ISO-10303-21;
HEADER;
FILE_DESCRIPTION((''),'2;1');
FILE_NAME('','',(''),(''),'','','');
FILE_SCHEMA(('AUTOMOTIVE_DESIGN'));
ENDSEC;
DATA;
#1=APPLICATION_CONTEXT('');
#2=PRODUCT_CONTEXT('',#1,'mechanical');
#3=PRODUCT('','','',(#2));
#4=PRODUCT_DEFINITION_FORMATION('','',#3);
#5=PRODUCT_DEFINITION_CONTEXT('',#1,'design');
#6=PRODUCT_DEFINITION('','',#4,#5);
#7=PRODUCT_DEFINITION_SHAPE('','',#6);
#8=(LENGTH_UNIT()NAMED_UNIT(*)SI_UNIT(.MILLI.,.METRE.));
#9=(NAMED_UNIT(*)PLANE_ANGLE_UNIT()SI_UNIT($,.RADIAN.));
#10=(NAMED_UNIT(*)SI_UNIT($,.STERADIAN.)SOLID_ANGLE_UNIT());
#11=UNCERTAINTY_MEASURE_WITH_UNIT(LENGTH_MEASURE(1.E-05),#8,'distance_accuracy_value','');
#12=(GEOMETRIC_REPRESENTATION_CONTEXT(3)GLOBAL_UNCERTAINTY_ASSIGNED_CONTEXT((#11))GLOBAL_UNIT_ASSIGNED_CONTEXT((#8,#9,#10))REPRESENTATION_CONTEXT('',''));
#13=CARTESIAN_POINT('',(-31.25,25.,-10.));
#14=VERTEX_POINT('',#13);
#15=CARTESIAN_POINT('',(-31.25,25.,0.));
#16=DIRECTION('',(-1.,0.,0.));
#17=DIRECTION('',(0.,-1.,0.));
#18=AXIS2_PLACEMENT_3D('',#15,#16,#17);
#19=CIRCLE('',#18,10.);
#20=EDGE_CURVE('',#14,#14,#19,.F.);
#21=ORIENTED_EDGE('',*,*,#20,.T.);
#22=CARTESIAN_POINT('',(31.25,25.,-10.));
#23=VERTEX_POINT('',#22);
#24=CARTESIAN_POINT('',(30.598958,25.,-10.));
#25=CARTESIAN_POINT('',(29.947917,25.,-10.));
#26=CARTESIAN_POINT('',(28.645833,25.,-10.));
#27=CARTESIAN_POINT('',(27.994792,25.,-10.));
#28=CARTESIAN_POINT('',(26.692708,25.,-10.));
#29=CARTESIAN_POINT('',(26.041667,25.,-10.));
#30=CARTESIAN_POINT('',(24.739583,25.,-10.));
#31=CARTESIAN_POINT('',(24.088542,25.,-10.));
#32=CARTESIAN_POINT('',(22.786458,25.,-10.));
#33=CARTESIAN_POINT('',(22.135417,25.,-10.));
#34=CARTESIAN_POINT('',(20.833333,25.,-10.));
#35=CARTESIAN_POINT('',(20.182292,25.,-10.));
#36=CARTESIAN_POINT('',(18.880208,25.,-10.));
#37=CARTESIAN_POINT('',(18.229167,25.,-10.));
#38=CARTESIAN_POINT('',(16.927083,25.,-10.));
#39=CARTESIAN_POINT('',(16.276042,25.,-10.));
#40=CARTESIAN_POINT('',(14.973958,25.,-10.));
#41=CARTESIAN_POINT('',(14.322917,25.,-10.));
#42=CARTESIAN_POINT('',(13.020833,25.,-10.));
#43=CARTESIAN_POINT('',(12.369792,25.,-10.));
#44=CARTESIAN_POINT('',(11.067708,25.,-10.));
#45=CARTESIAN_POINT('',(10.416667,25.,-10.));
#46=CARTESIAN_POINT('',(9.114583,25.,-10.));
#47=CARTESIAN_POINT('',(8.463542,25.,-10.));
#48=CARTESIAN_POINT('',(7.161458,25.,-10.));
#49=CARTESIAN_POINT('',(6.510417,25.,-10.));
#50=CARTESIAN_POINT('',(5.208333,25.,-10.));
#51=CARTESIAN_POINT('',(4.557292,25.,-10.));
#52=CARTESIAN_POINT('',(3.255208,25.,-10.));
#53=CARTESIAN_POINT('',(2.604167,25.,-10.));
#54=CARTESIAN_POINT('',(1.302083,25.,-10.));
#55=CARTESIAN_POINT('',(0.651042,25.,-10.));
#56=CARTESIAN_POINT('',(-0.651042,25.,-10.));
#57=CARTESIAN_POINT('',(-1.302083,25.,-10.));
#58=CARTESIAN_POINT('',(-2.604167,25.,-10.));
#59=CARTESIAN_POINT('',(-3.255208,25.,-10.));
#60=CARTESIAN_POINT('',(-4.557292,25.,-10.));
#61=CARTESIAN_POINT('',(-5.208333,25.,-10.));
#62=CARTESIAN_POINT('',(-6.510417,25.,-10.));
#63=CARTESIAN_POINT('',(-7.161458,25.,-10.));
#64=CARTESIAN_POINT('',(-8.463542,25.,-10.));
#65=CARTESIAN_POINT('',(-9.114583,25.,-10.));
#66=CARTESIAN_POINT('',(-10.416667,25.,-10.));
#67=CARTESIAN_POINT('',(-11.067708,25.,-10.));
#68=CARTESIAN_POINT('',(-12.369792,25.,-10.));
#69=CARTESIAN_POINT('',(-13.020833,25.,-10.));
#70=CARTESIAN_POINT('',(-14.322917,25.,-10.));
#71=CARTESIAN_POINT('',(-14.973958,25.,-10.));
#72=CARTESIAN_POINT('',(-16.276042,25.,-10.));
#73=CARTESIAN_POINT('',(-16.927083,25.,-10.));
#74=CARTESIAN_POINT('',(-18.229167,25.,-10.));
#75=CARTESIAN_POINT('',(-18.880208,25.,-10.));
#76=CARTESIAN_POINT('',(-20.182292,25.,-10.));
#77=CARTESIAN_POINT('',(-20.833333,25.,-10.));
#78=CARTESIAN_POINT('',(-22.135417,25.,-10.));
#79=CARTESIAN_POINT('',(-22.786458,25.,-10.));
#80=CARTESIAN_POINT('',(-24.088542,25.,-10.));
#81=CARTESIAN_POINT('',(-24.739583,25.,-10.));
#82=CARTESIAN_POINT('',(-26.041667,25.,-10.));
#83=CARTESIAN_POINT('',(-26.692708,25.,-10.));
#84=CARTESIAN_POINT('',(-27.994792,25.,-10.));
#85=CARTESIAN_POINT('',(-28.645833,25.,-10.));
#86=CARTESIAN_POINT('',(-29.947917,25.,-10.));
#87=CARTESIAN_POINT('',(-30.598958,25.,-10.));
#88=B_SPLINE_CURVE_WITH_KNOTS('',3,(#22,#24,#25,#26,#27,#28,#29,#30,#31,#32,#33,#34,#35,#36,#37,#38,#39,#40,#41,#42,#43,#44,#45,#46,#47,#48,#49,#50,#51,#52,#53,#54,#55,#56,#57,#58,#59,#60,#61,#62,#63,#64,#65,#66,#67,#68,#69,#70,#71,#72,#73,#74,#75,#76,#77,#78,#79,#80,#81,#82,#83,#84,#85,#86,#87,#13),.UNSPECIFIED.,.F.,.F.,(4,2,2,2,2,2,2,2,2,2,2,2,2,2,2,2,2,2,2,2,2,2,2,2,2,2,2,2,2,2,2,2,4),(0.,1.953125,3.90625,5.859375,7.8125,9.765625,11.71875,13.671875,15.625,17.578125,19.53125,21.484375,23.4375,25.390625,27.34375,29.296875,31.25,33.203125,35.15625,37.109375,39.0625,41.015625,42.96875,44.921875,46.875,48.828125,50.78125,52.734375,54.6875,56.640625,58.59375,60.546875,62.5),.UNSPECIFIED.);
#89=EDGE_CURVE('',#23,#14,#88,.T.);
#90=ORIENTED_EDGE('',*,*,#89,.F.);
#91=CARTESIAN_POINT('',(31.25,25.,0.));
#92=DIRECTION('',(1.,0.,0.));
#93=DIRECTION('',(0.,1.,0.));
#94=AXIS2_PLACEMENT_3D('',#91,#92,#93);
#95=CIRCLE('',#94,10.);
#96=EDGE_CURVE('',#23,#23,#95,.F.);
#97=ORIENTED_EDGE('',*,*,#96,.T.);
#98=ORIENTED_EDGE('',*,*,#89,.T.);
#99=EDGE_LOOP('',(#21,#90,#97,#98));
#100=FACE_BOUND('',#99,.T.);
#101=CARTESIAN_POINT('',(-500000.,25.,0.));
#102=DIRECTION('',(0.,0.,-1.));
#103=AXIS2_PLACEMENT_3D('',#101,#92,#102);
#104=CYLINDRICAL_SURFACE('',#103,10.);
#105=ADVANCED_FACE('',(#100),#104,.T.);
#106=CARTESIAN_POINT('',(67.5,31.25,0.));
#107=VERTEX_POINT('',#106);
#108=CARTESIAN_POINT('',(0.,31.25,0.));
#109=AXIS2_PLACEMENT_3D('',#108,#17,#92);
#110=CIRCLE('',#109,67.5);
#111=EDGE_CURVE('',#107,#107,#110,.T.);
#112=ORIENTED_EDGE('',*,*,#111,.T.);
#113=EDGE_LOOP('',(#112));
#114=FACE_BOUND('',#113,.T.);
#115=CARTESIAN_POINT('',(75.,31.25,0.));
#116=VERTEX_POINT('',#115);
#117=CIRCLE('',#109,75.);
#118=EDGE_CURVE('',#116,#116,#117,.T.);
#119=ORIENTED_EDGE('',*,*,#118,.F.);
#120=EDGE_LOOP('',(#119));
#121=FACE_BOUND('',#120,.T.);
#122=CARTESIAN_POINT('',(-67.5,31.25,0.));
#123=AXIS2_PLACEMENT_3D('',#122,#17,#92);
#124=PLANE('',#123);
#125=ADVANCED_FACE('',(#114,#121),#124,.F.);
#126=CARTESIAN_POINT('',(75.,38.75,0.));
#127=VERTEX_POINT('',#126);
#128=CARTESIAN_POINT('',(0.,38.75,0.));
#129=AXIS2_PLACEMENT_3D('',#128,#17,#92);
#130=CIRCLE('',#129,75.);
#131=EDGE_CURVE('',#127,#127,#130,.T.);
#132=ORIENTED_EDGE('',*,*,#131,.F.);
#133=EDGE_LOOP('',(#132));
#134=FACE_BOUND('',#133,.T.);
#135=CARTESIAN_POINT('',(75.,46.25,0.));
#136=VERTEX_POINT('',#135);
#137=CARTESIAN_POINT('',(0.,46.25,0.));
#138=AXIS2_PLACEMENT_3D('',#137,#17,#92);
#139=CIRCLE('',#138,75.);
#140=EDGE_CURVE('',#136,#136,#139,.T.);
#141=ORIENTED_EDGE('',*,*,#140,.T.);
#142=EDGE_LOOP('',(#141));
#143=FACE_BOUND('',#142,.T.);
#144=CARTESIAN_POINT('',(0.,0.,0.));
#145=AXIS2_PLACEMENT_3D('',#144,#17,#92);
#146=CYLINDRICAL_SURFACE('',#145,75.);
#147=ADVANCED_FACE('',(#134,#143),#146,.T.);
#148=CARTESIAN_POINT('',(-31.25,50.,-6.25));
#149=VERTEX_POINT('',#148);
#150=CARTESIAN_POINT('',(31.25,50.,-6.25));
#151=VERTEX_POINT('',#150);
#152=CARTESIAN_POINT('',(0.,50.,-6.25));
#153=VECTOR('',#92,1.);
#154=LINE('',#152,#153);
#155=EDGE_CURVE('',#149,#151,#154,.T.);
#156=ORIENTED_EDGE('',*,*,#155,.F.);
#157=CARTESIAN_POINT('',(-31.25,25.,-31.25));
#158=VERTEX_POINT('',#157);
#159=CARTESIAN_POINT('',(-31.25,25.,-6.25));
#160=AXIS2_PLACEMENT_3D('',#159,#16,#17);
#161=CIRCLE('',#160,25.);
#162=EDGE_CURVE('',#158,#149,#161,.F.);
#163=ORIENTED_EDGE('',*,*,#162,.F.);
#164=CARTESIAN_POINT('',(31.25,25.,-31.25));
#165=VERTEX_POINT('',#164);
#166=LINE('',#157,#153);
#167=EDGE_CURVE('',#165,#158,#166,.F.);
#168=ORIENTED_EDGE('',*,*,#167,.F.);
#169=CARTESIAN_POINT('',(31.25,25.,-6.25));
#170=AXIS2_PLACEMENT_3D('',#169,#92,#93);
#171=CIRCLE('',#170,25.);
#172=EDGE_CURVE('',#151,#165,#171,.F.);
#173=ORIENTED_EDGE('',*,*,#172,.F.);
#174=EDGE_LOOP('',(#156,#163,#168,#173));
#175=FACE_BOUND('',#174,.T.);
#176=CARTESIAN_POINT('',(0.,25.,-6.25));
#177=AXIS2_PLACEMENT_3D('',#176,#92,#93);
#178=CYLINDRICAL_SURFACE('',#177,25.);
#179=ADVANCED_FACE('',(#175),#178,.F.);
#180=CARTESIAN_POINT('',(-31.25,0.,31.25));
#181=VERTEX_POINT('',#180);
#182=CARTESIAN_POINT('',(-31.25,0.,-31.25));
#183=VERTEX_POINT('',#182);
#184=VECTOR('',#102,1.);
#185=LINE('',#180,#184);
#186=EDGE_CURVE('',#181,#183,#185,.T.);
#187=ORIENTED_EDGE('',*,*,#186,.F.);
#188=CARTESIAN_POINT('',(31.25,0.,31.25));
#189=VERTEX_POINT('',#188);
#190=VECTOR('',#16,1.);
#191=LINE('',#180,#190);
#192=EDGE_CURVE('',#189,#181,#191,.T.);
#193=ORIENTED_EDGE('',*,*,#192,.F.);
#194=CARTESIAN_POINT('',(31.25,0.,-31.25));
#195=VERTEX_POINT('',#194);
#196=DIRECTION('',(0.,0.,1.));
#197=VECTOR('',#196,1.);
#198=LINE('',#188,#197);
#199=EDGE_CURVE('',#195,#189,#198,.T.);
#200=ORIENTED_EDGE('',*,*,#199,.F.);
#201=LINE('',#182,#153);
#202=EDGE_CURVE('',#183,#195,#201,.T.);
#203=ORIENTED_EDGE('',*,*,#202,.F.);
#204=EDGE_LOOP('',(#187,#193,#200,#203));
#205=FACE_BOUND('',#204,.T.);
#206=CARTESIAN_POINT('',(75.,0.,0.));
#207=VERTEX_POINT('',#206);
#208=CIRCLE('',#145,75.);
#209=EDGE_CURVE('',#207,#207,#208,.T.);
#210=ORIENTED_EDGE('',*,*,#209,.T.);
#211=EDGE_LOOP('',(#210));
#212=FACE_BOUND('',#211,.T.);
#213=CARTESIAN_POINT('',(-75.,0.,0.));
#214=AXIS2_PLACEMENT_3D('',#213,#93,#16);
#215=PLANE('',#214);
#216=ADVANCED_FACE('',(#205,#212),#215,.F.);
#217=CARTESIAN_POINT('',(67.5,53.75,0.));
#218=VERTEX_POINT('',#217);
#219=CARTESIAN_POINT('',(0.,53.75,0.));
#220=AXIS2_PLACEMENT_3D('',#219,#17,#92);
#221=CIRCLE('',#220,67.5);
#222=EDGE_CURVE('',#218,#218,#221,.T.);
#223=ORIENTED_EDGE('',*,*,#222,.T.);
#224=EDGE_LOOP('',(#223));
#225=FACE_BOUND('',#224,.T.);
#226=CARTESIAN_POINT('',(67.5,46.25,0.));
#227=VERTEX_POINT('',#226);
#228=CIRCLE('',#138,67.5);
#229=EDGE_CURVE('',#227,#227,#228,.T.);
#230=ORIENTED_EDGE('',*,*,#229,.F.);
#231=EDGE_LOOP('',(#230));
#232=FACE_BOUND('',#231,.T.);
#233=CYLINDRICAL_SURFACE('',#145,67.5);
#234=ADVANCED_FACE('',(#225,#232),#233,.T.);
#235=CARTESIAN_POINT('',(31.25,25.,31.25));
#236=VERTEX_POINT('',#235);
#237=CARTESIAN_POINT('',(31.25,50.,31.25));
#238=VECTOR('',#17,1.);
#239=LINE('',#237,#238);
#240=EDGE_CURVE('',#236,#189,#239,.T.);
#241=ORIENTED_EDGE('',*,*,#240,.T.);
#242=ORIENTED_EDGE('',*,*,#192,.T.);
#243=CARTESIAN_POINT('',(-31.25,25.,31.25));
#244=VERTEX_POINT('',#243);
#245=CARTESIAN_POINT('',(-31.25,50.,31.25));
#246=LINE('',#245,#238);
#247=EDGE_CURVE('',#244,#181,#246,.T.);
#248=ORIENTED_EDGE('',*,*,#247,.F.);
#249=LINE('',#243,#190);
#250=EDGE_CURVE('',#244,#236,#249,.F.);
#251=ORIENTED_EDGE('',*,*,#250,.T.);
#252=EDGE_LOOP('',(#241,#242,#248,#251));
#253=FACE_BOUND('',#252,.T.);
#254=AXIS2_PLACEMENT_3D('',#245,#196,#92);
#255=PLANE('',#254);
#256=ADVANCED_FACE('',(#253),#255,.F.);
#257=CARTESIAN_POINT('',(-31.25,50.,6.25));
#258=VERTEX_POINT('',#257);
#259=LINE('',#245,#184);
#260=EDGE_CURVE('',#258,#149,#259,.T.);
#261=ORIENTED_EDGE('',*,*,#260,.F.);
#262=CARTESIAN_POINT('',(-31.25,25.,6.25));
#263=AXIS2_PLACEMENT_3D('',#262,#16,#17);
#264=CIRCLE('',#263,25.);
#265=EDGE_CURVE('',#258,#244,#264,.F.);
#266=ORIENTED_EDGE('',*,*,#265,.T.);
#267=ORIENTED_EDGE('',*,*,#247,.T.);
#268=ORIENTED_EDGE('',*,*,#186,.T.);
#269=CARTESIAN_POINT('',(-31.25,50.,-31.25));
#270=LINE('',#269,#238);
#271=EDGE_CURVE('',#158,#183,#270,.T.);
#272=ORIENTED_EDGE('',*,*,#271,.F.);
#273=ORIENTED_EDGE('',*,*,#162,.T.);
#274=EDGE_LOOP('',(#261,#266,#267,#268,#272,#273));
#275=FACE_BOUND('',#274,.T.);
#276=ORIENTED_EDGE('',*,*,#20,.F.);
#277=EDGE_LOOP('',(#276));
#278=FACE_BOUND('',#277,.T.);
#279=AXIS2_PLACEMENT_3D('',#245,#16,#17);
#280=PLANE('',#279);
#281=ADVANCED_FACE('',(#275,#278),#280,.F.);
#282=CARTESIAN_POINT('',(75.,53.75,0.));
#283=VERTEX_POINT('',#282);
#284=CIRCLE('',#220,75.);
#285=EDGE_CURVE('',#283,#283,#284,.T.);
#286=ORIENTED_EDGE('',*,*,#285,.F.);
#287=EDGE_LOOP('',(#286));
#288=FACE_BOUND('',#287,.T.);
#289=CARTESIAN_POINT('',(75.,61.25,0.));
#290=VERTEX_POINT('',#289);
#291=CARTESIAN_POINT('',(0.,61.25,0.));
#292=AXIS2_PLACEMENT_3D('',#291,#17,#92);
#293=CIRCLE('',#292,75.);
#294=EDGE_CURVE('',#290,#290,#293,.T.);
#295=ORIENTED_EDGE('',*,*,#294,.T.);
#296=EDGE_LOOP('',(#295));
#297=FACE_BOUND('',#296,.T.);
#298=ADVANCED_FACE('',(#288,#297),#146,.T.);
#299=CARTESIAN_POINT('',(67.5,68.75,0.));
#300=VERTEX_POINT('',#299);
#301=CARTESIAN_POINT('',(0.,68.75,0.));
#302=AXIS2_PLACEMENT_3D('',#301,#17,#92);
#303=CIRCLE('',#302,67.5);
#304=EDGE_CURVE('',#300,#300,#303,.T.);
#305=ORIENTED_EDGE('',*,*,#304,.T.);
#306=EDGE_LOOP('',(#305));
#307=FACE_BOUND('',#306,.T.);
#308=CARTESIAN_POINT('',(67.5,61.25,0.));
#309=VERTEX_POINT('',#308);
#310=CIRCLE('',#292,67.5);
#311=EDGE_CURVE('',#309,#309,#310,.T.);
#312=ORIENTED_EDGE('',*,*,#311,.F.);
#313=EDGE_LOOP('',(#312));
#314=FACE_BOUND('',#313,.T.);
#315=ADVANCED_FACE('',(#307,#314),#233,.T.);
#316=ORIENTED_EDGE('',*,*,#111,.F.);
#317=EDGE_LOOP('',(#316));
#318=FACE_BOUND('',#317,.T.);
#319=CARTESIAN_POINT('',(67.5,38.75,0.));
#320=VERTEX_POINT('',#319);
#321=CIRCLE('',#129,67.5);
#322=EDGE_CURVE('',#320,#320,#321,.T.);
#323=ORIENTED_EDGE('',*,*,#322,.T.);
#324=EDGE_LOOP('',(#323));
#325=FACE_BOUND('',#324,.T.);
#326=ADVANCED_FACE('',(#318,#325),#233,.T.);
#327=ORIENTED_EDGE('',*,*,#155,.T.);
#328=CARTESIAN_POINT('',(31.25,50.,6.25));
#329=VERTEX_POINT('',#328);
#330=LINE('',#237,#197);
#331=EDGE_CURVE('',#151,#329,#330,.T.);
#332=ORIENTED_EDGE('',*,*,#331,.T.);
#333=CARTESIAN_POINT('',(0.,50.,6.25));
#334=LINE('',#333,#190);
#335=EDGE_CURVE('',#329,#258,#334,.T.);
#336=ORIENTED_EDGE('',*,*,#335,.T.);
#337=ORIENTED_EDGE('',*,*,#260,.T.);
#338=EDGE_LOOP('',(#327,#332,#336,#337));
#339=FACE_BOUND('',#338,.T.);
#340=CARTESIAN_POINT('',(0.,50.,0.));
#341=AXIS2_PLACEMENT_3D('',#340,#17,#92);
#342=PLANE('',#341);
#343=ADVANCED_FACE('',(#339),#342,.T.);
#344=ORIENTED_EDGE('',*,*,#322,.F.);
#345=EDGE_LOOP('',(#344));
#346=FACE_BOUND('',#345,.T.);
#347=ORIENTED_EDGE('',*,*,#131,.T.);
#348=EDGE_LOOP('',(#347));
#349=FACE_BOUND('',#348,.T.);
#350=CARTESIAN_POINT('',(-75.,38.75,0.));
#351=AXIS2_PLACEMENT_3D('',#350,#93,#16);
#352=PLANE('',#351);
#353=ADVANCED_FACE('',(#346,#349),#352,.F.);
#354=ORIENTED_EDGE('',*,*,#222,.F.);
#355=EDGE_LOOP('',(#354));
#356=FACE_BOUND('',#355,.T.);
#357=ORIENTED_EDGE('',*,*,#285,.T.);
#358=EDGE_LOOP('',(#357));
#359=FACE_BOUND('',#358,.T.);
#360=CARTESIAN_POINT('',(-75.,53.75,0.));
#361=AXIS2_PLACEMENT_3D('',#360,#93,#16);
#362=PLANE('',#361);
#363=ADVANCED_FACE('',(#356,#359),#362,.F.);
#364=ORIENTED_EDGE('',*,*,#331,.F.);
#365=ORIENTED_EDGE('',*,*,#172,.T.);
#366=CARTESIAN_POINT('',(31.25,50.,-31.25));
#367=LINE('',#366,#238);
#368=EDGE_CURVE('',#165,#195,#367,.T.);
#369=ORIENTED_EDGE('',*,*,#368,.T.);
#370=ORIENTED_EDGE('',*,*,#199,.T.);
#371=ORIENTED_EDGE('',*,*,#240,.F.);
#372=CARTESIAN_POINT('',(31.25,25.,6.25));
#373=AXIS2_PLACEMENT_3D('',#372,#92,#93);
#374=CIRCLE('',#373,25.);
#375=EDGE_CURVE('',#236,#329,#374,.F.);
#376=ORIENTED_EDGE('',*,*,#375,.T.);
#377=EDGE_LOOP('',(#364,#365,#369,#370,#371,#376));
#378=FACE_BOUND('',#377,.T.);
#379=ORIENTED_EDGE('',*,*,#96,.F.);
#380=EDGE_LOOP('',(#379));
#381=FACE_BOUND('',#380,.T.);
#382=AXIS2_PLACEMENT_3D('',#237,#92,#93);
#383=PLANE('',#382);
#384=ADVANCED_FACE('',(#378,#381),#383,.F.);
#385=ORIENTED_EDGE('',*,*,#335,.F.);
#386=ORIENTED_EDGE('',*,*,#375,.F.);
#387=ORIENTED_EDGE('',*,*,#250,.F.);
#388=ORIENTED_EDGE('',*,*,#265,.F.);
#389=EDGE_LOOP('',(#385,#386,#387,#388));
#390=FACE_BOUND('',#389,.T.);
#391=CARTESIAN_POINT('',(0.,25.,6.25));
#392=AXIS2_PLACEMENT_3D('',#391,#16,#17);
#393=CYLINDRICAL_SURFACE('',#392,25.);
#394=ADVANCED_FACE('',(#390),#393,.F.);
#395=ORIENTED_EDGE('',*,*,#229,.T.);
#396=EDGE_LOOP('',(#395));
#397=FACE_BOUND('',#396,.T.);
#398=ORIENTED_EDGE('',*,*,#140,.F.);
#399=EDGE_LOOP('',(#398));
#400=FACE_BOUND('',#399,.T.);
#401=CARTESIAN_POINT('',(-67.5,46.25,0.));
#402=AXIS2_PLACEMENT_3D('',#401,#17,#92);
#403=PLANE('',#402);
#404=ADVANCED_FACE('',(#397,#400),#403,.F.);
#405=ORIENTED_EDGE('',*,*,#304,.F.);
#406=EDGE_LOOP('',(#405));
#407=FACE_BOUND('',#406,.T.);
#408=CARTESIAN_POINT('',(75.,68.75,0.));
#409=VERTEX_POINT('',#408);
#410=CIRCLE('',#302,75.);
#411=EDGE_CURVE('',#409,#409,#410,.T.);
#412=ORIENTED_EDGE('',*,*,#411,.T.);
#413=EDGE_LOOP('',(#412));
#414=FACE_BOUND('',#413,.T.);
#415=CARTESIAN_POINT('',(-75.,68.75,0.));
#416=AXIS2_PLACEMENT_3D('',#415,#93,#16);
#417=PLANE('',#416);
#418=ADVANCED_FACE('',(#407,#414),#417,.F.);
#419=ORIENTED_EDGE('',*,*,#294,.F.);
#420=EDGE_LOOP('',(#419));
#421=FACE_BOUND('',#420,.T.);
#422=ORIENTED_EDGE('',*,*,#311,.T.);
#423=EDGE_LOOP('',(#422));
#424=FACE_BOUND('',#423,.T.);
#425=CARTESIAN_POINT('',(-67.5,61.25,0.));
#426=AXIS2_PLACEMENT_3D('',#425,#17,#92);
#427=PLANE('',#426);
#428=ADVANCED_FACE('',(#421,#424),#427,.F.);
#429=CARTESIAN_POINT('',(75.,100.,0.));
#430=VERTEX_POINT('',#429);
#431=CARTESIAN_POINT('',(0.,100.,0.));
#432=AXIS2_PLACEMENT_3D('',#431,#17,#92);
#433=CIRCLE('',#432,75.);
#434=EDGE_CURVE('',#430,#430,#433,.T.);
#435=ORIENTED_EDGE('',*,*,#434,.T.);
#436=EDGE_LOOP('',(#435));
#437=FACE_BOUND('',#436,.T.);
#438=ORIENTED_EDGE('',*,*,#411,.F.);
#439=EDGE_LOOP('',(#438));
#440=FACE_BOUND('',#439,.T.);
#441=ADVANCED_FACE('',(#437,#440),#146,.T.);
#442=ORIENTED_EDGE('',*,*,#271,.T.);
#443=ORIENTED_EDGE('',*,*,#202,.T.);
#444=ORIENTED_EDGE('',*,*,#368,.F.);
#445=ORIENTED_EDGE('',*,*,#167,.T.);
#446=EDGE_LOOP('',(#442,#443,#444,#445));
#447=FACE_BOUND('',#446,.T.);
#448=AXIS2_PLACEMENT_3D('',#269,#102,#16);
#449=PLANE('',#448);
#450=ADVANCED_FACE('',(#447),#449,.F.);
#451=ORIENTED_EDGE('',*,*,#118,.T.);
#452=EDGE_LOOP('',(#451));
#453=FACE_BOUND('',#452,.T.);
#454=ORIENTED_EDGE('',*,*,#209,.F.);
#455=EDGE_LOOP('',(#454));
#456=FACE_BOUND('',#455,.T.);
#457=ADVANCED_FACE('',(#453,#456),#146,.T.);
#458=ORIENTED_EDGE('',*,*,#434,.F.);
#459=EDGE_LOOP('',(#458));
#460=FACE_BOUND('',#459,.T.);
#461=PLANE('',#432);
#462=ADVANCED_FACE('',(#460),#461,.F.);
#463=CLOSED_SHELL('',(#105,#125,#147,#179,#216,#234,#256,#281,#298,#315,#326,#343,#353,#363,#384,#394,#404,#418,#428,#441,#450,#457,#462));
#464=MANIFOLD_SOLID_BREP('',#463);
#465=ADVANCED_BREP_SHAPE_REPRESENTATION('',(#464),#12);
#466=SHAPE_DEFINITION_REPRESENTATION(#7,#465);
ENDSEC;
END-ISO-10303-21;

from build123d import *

# Parameters (mm, degrees)
SKETCH2_W           = 62.5
SKETCH2_H           = 62.5
CUT_EXTRUDE1_DEPTH  = 50
BOSS_EXTRUDE1_REACH = 166.055
SKETCH3_R           = 10
FILLET1_R           = 25


with BuildPart() as part:
    # Sketch1 → Revolve1 (revolve)
    with BuildSketch(Plane.XY, mode=Mode.PRIVATE) as revolve1_sk:
        Polygon((0, 0), (0, 100), (-75, 100), (-75, 68.75), (-67.5, 68.75), (-67.5, 61.25), (-75, 61.25), (-75, 53.75), (-67.5, 53.75), (-67.5, 46.25), (-75, 46.25), (-75, 38.75), (-67.5, 38.75), (-67.5, 31.25), (-75, 31.25), (-75, 0), align=None)
    revolve(revolve1_sk.sketch.rotate(Axis((0, 0, 0), (0, 1, 0)), 180), axis=Axis((0, 0, 0), (0, 1, 0)))

    # Sketch2 → Cut-Extrude1 (cut)
    with BuildSketch(Plane.XZ):
        Rectangle(SKETCH2_W, SKETCH2_H)
    extrude(amount=-CUT_EXTRUDE1_DEPTH, mode=Mode.SUBTRACT)

    # Sketch3 → Boss-Extrude1 (add, up to next)
    with BuildSketch(Plane.ZY.offset(-31.25), mode=Mode.PRIVATE) as boss_extrude1_sk1:
        with Locations(Location((0, 25, 0), (0, 0, 180))):
            Circle(SKETCH3_R)
    boss_extrude1_tool1 = extrude(boss_extrude1_sk1.sketch, amount=BOSS_EXTRUDE1_REACH, mode=Mode.PRIVATE) - part.part
    add(boss_extrude1_tool1.solids().sort_by_distance((31.25, 25, 0))[0])

    # Fillet1
    fillet1_edges = [part.edges().sort_by_distance(p)[0] for p in [
        (0, 50, -31.25),
        (0, 50, 31.25),
    ]]
    fillet(fillet1_edges, radius=FILLET1_R)


solid = part.part
